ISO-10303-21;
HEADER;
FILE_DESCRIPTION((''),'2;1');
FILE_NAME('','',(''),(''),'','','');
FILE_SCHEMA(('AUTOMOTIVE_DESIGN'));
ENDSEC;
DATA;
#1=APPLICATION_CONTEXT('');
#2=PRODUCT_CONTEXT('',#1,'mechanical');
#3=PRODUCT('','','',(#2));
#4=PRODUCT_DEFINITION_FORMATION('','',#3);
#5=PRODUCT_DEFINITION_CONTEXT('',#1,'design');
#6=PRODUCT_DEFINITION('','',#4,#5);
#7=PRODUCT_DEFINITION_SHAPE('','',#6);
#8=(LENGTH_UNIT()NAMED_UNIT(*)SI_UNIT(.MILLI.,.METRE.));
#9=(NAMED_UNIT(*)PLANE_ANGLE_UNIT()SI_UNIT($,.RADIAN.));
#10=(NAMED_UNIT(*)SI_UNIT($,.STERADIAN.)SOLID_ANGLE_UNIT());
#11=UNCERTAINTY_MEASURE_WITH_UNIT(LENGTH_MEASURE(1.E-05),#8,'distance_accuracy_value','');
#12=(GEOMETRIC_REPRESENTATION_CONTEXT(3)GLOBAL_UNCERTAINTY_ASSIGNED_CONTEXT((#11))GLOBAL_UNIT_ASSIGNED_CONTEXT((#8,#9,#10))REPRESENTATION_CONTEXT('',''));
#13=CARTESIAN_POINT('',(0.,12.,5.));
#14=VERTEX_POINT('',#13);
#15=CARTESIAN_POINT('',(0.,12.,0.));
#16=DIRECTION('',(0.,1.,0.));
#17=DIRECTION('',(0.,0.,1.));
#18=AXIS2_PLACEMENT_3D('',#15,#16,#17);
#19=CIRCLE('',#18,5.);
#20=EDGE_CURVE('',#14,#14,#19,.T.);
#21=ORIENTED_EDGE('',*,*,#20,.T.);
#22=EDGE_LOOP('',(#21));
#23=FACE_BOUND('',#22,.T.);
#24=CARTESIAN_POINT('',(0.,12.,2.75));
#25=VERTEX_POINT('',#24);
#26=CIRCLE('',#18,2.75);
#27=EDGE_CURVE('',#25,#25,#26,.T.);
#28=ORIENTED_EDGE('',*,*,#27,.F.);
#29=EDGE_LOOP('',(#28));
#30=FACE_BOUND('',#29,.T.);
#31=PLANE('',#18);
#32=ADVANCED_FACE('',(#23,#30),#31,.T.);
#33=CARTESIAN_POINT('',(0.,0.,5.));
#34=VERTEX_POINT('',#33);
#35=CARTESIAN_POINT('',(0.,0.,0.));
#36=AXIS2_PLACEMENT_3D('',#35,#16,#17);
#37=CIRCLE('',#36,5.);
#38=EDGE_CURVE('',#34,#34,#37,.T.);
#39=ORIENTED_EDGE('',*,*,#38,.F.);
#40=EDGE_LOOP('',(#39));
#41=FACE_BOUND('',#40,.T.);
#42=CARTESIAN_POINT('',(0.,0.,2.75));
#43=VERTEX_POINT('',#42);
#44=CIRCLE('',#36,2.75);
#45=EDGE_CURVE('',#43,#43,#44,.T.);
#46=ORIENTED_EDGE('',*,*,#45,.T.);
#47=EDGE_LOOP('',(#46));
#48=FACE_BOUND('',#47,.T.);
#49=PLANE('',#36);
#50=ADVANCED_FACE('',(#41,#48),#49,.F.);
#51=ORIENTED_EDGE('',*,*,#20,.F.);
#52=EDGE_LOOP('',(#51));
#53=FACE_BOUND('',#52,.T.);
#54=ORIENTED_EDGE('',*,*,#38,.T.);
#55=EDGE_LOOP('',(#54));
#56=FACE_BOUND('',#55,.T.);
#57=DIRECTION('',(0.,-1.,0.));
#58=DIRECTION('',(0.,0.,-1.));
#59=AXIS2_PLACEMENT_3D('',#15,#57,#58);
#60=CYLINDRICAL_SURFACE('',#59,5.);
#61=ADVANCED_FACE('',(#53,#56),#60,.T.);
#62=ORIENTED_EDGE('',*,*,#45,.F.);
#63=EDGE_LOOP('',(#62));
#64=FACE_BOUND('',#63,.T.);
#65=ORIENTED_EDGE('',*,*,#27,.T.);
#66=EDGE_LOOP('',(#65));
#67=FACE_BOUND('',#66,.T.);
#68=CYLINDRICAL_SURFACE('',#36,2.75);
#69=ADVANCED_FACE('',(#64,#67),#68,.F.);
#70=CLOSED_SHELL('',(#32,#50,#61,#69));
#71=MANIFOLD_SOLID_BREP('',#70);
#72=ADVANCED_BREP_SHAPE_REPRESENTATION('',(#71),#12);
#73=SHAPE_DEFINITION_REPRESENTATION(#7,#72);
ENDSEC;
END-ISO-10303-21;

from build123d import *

# Parameters (mm, degrees)
ESQUISSE1_R             = 5
EXTRUSION1_DEPTH        = 12
ESQUISSE2_R             = 2.75
ENL_V_MAT_EXTRU_1_DEPTH = 13


with BuildPart() as part:
    # Esquisse1 → Extrusion1 (new body)
    with BuildSketch(Plane(origin=(0, 0, 0), x_dir=(1, 0, 0), z_dir=(0, 1, 0))):
        Circle(ESQUISSE1_R)
    extrude(amount=EXTRUSION1_DEPTH)

    # Esquisse2 → Enlèv. mat.-Extru.1 (cut, through all)
    with BuildSketch(Plane(origin=(0, 12, 0), x_dir=(1, 0, 0), z_dir=(0, 1, 0))):
        Circle(ESQUISSE2_R)
    extrude(amount=-ENL_V_MAT_EXTRU_1_DEPTH, mode=Mode.SUBTRACT)


solid = part.part
